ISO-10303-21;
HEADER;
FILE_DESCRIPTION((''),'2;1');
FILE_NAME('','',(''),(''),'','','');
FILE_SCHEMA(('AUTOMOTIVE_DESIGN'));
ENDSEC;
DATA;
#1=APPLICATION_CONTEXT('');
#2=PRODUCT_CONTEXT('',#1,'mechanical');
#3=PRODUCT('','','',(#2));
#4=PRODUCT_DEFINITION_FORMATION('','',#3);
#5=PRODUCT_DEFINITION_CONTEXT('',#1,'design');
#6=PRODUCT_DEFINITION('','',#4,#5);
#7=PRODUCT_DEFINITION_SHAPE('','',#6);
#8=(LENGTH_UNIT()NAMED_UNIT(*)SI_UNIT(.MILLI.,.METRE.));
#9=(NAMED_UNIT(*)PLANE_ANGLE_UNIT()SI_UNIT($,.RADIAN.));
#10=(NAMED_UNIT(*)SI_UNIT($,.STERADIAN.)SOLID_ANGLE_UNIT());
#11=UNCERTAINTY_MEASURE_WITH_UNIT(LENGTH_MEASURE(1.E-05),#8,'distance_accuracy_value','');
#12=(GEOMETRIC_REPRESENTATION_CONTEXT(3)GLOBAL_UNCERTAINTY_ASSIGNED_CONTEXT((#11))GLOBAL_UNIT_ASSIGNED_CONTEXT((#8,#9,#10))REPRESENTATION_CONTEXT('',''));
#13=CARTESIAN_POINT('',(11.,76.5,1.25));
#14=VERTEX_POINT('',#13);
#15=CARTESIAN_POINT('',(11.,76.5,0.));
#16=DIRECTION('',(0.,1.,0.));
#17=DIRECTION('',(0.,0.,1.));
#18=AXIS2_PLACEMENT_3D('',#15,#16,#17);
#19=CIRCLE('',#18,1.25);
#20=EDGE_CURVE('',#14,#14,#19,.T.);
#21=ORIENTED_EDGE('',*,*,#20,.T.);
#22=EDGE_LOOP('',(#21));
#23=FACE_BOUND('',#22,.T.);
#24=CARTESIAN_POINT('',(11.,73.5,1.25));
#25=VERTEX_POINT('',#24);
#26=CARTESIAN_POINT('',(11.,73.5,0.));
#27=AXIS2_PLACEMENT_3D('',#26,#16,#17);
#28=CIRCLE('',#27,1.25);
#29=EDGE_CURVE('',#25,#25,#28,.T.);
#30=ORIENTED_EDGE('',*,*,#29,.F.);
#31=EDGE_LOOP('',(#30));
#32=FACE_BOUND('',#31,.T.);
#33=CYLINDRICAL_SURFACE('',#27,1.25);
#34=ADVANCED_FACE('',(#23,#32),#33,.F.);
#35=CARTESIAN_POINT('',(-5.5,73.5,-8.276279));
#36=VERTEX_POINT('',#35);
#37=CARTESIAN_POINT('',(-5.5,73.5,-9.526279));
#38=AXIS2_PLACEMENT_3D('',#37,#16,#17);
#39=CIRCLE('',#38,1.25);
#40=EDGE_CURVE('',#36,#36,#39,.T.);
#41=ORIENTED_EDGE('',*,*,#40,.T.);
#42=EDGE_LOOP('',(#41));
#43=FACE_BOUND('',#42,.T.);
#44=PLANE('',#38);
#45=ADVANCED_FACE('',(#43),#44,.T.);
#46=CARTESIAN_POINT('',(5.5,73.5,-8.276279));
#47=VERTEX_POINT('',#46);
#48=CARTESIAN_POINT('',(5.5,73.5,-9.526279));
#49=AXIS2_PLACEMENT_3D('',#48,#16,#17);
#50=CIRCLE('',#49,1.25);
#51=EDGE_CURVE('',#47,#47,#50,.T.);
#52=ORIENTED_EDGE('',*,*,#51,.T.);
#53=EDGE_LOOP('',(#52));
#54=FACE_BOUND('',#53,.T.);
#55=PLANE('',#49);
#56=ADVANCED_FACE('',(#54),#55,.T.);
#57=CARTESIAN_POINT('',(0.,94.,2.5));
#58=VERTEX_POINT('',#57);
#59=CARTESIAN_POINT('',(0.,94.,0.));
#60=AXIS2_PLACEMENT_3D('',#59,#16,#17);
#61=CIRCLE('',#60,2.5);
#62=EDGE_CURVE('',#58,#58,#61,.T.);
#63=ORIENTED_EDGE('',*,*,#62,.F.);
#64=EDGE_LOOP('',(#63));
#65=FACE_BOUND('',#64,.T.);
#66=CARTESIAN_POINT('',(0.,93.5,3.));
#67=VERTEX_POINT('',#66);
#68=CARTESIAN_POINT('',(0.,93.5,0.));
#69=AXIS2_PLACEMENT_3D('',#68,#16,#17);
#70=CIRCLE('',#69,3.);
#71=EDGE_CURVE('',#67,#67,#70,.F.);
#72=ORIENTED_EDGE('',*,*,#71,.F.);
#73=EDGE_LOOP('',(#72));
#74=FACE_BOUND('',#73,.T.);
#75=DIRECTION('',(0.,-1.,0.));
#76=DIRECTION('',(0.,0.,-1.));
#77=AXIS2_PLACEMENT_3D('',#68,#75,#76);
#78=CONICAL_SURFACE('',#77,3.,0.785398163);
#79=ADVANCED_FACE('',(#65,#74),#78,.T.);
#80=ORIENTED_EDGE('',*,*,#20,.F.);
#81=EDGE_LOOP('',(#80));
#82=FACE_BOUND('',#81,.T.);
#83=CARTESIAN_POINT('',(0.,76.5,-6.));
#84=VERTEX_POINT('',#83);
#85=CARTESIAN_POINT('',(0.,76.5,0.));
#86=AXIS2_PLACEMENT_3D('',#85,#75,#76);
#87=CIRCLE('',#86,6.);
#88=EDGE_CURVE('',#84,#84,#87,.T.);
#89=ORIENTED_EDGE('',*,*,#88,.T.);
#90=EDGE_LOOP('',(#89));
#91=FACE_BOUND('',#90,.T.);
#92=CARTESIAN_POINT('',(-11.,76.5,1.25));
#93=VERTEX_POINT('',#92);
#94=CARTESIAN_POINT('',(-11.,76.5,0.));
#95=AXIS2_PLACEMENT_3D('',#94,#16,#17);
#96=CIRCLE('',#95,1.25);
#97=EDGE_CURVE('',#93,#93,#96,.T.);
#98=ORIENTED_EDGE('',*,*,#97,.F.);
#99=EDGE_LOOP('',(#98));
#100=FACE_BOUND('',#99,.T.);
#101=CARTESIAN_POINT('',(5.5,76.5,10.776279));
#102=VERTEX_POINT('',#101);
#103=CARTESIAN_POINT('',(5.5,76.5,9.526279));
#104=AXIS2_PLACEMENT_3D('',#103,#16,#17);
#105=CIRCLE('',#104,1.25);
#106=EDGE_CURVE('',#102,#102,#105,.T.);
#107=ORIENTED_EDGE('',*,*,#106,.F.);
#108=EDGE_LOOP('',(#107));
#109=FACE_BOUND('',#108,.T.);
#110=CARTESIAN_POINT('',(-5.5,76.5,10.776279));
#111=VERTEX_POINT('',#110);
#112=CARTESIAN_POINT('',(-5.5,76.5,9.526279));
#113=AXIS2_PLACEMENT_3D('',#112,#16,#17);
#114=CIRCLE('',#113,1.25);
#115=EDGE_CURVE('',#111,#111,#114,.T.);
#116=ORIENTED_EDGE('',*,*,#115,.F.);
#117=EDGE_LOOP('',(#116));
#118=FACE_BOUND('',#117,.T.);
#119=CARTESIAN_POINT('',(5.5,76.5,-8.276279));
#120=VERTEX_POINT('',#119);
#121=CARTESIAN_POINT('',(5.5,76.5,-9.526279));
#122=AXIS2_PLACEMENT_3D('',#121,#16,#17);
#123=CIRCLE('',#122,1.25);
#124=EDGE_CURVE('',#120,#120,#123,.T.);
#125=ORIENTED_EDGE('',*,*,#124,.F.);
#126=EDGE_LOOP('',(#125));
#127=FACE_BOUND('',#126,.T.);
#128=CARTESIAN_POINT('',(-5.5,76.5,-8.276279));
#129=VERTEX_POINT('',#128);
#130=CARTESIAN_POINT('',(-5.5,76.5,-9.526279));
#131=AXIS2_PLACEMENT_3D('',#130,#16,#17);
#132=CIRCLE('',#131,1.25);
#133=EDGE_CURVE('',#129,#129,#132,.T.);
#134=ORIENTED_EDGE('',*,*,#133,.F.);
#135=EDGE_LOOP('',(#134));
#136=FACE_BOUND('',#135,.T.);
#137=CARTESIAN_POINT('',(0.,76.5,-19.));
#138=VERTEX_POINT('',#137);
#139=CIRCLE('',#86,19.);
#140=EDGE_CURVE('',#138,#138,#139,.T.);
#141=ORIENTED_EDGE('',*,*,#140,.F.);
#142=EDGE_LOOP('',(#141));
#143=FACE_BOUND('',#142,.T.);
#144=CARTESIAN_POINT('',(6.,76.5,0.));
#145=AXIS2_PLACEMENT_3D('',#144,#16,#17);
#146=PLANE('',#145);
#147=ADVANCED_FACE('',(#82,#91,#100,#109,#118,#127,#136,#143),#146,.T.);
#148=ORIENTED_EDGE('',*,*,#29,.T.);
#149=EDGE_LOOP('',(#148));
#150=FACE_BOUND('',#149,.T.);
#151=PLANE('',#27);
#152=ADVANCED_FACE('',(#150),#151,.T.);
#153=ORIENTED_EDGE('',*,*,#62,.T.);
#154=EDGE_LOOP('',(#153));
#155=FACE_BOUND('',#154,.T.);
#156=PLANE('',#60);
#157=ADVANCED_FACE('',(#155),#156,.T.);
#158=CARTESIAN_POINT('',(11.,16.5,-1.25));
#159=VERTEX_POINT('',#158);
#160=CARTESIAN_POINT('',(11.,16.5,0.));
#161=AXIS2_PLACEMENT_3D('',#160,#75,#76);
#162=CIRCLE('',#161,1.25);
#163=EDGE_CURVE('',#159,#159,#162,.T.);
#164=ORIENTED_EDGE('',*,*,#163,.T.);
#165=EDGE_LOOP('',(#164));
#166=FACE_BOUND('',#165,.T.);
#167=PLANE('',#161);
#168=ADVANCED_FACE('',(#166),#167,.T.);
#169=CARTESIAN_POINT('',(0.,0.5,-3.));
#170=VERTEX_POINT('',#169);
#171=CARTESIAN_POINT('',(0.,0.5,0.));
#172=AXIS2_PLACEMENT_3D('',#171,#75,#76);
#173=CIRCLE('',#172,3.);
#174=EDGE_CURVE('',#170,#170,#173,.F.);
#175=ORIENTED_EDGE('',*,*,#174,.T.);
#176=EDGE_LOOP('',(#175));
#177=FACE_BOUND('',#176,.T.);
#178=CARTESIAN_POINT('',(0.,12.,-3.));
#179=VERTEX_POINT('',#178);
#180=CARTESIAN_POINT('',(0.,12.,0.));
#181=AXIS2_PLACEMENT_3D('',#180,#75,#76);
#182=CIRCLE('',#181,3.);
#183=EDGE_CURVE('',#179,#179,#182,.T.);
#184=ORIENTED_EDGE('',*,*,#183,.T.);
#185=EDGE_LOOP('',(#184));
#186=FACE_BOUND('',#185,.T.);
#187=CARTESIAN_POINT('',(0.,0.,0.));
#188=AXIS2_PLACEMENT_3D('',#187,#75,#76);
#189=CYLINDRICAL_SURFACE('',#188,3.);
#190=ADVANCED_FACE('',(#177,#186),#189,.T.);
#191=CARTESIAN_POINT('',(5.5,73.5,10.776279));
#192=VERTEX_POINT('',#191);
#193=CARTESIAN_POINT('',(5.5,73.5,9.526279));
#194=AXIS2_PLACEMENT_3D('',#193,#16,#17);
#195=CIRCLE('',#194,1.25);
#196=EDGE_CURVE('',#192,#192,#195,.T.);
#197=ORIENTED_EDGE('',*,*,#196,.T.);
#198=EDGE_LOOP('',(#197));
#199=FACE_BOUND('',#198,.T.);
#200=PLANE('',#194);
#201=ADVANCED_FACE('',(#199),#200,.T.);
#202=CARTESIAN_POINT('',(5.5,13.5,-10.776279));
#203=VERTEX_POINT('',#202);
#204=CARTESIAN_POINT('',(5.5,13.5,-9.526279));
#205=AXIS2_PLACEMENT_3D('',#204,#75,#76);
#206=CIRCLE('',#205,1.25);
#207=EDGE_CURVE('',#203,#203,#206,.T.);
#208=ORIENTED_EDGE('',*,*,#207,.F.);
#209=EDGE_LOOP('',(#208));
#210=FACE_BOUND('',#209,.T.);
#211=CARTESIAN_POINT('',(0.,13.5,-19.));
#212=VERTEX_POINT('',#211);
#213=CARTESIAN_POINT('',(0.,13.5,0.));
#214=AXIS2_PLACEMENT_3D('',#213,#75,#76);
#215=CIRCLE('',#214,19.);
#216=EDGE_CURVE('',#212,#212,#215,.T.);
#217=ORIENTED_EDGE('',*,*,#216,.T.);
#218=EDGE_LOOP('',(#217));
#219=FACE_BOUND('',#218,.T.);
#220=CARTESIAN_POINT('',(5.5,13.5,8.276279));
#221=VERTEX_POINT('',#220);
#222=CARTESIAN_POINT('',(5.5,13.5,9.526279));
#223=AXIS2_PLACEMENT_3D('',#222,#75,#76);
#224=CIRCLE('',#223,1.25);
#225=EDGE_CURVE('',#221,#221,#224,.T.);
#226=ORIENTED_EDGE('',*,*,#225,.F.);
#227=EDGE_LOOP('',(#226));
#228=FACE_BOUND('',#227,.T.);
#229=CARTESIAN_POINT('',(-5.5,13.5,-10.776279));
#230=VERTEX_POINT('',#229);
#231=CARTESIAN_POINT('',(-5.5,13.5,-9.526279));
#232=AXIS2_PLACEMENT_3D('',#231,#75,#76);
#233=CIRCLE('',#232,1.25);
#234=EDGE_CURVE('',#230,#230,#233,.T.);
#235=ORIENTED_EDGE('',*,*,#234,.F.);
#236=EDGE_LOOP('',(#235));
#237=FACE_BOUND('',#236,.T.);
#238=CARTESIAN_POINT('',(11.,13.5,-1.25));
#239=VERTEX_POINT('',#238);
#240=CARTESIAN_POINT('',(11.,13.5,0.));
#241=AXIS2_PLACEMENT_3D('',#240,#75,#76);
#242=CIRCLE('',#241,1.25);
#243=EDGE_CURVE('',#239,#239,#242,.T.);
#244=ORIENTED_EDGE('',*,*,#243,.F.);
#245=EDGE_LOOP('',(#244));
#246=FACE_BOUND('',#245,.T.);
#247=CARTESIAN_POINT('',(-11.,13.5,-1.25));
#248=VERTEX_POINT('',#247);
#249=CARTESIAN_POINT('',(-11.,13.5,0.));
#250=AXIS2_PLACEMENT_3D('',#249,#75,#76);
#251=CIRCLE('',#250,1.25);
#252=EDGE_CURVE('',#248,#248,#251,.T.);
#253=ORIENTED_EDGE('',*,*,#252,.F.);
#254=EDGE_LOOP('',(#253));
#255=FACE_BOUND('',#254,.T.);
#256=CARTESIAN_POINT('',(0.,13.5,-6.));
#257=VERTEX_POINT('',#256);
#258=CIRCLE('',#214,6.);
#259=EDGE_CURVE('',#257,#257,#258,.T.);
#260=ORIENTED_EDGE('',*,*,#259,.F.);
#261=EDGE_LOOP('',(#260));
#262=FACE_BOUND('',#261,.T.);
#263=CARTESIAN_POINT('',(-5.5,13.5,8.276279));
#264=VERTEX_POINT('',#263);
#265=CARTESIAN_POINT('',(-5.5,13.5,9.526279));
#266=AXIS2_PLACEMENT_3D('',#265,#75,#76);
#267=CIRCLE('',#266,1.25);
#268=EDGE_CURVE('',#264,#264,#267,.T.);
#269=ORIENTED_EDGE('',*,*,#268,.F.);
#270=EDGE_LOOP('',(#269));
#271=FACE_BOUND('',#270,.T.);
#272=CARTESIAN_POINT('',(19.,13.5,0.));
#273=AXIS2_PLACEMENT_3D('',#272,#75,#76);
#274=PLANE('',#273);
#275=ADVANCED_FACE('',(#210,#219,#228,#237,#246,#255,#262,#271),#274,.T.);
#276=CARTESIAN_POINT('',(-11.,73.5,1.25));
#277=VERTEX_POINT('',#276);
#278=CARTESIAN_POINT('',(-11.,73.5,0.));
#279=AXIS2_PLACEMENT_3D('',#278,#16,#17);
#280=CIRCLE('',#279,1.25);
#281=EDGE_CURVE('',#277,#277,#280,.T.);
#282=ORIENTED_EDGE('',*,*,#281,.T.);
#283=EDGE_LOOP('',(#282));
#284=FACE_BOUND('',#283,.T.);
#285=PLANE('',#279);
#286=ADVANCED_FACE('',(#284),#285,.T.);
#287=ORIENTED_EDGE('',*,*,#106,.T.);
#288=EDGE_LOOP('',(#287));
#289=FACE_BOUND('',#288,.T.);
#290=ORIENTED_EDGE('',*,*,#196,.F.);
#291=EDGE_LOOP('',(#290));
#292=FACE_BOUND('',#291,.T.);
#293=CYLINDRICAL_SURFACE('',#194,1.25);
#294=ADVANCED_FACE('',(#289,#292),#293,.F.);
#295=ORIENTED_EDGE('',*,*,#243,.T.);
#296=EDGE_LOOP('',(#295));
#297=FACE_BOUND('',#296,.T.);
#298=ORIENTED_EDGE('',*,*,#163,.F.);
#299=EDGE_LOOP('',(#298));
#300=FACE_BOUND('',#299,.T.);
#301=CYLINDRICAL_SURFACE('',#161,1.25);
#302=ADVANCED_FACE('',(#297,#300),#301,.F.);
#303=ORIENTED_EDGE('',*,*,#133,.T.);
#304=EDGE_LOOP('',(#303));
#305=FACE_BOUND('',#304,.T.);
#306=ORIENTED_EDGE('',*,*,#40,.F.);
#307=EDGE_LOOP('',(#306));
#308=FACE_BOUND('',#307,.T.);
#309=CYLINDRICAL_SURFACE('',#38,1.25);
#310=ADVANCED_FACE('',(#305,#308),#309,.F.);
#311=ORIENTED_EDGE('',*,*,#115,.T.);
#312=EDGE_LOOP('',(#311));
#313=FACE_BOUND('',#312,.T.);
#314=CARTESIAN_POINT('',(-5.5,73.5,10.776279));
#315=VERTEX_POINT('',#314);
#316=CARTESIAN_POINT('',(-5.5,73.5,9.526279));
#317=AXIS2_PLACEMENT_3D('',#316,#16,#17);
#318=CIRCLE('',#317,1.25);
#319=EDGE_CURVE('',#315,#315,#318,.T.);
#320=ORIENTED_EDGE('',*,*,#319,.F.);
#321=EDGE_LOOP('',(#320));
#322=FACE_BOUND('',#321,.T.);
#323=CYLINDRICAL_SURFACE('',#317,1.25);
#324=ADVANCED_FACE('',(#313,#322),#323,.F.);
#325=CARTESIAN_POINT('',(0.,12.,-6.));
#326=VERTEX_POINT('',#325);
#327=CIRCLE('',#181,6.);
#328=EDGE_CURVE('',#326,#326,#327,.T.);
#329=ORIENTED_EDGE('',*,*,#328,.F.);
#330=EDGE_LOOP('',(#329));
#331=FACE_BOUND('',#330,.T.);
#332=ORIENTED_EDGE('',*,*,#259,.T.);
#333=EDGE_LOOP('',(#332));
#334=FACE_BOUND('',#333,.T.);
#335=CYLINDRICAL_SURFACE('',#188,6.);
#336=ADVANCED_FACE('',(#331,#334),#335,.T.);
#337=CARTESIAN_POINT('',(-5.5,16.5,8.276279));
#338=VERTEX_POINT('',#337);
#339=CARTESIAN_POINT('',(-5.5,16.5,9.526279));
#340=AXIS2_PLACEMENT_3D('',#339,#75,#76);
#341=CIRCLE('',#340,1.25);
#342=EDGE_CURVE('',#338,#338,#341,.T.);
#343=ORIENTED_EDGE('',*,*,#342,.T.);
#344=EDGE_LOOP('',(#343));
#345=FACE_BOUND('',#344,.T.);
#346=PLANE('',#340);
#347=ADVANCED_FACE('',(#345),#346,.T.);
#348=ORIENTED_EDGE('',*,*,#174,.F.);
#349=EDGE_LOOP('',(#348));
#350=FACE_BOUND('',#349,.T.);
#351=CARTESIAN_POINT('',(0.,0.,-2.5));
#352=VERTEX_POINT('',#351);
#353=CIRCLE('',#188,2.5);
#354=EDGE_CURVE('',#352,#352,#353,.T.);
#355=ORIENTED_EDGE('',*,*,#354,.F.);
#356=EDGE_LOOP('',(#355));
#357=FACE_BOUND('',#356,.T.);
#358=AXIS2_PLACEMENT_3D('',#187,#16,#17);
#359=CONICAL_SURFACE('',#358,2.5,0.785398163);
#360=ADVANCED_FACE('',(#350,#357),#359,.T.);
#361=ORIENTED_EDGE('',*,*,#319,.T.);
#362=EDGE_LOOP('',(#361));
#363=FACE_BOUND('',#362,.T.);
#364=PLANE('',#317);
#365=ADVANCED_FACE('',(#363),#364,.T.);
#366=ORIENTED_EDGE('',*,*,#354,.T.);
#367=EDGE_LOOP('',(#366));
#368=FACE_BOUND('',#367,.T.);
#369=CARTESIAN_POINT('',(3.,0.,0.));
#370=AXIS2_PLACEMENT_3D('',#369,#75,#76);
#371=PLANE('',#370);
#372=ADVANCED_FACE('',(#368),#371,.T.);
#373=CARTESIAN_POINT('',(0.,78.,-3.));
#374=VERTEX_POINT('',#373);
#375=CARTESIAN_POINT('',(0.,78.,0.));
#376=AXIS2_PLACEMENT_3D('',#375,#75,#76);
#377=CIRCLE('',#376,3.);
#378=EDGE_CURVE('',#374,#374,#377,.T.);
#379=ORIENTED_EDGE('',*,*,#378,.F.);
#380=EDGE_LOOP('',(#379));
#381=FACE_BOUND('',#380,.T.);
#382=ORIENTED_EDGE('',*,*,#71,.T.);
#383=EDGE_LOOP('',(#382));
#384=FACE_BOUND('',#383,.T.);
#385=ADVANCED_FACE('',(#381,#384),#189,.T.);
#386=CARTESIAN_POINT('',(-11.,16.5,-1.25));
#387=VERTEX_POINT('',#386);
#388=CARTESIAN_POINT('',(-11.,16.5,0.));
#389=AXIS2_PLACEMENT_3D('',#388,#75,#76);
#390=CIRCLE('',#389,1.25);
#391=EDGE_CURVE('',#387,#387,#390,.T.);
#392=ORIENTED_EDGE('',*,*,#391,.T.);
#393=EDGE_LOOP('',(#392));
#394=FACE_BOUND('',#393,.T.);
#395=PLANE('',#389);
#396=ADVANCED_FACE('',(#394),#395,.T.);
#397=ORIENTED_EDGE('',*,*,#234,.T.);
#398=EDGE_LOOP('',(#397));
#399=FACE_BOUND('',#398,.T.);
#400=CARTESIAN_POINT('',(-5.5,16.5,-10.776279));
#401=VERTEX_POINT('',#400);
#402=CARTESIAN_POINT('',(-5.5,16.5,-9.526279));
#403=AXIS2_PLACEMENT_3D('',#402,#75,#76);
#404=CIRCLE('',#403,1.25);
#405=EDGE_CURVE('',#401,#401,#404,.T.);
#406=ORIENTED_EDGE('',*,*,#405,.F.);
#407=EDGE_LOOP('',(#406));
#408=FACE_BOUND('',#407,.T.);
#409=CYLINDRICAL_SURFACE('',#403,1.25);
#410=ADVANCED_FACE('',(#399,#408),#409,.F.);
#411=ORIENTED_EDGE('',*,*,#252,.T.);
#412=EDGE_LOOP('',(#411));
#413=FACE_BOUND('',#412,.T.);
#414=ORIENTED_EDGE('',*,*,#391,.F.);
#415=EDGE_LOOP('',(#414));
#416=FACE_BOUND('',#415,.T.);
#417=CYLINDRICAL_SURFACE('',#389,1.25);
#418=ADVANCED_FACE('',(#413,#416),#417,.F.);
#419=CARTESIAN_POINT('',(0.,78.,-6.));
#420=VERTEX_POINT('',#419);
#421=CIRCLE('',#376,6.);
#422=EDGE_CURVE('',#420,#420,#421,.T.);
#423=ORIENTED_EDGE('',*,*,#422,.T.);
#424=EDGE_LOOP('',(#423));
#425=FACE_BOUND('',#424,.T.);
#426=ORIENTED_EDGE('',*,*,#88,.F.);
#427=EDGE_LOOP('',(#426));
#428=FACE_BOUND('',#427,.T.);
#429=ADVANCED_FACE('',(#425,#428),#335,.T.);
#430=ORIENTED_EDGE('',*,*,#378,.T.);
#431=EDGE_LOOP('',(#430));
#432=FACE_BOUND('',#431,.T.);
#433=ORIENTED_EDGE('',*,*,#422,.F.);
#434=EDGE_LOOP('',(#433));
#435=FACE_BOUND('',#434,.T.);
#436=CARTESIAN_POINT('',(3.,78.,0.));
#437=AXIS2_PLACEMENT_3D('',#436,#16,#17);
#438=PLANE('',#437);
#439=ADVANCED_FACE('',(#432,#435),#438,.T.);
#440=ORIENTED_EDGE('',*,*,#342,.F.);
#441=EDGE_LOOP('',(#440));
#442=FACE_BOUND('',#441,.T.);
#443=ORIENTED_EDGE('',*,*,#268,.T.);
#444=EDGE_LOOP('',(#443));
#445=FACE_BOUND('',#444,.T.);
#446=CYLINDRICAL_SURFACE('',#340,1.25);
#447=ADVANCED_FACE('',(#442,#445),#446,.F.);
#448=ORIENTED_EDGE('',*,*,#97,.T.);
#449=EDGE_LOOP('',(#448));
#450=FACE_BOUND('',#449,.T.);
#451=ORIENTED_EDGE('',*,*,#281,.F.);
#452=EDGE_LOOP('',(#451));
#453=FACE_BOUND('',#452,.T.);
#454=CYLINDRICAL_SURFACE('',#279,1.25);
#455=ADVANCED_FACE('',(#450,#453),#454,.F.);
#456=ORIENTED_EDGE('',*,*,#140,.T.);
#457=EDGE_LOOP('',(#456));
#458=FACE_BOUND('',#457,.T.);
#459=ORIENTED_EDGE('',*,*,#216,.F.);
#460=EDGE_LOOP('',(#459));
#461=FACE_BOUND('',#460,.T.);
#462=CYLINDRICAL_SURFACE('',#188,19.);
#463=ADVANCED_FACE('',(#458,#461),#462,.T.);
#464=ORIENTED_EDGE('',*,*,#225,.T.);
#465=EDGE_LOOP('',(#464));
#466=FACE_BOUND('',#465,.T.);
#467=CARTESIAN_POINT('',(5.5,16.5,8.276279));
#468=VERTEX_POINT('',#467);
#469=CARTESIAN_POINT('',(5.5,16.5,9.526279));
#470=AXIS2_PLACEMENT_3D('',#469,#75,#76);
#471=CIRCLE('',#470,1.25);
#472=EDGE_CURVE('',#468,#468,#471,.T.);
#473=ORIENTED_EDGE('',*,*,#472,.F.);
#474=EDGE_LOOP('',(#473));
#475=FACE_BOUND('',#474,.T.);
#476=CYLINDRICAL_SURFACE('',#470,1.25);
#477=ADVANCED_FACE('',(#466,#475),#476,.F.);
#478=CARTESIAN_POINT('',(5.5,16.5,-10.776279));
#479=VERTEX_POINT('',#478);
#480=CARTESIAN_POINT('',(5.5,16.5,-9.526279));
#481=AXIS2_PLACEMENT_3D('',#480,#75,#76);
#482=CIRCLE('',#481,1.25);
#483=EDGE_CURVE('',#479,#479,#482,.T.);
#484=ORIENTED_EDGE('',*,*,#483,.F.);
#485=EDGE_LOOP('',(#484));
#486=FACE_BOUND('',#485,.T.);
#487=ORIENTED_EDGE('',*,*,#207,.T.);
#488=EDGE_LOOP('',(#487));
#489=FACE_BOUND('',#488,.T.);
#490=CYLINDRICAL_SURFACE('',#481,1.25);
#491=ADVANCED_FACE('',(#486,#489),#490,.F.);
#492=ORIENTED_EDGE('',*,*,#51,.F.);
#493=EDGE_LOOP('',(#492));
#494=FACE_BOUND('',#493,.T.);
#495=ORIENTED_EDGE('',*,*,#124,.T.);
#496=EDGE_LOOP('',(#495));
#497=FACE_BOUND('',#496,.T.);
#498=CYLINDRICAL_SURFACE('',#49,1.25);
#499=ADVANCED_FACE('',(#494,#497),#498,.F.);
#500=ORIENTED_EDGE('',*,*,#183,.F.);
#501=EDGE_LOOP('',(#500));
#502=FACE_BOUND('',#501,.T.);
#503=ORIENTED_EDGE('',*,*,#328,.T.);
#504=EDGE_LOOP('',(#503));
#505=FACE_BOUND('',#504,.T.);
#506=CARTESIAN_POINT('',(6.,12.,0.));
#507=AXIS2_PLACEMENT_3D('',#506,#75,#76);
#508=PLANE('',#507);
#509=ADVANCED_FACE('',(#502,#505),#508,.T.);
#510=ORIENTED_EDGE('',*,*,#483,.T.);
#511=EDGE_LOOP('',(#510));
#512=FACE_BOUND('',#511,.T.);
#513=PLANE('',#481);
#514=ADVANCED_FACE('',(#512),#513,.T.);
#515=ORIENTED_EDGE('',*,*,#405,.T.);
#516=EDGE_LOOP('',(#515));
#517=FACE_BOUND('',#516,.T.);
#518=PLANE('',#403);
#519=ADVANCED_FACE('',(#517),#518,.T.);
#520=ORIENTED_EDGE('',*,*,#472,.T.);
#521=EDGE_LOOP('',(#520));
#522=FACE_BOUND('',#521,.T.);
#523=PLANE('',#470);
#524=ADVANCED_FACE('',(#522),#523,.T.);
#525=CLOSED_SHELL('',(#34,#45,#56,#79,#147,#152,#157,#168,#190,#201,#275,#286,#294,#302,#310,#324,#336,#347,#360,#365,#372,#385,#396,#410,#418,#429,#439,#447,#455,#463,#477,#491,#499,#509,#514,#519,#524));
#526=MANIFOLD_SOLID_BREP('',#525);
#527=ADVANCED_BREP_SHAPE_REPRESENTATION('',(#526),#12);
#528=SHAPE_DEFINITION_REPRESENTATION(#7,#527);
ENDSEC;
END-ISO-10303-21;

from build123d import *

# Parameters (mm, degrees)
ESQUISSE2_R             = 1.25
ENL_V_MAT_EXTRU_1_DEPTH = 3
ENL_V_START             = -60
ESQUISSE2_2_R           = 1.25
ENL_V_MAT_EXTRU_2_DEPTH = 3
CHANFREIN1_SIZE         = 0.5


with BuildPart() as part:
    # Esquisse1 → Révolution1 (revolve)
    with BuildSketch(Plane.XY, mode=Mode.PRIVATE) as r_volution1_sk:
        Polygon((0, 0), (0, 94), (3, 94), (3, 78), (6, 78), (6, 76.5), (19, 76.5), (19, 13.5), (6, 13.5), (6, 12), (3, 12), (3, 0), align=None)
    revolve(r_volution1_sk.sketch.rotate(Axis((0, 0, 0), (0, 1, 0)), 90), axis=Axis((0, 0, 0), (0, 1, 0)))

    # Esquisse2 → Enlèv. mat.-Extru.1 (cut)
    with BuildSketch(Plane.XZ.offset(-13.5)):
        with Locations(Location((11, 0, 0), (0, 0, 270))):
            Circle(ESQUISSE2_R)
        with Locations(Location((5.5, -9.526279442, 0), (0, 0, 270))):
            Circle(ESQUISSE2_R)
        with Locations(Location((-5.5, -9.526279442, 0), (0, 0, 270))):
            Circle(ESQUISSE2_R)
        with Locations(Location((-11, 0, 0), (0, 0, 270))):
            Circle(ESQUISSE2_R)
        with Locations(Location((-5.5, 9.526279442, 0), (0, 0, 270))):
            Circle(ESQUISSE2_R)
        with Locations(Location((5.5, 9.526279442, 0), (0, 0, 270))):
            Circle(ESQUISSE2_R)
    extrude(amount=-ENL_V_MAT_EXTRU_1_DEPTH, mode=Mode.SUBTRACT)

    # Esquisse2<2> → Enlèv. mat.-Extru.2 (cut)
    with BuildSketch(Plane.XZ.offset(-13.5).offset(ENL_V_START)):
        with Locations(Location((11, 0, 0), (0, 0, 270))):
            Circle(ESQUISSE2_2_R)
        with Locations(Location((5.5, -9.526279442, 0), (0, 0, 270))):
            Circle(ESQUISSE2_2_R)
        with Locations(Location((-5.5, -9.526279442, 0), (0, 0, 270))):
            Circle(ESQUISSE2_2_R)
        with Locations(Location((-11, 0, 0), (0, 0, 270))):
            Circle(ESQUISSE2_2_R)
        with Locations(Location((-5.5, 9.526279442, 0), (0, 0, 270))):
            Circle(ESQUISSE2_2_R)
        with Locations(Location((5.5, 9.526279442, 0), (0, 0, 270))):
            Circle(ESQUISSE2_2_R)
    extrude(amount=-ENL_V_MAT_EXTRU_2_DEPTH, mode=Mode.SUBTRACT)

    # Chanfrein1
    chanfrein1_edges = [part.edges().sort_by_distance(p)[0] for p in [
        (0, 94, 3),
        (0, 0, 3),
    ]]
    chamfer(chanfrein1_edges, length=CHANFREIN1_SIZE)


solid = part.part
